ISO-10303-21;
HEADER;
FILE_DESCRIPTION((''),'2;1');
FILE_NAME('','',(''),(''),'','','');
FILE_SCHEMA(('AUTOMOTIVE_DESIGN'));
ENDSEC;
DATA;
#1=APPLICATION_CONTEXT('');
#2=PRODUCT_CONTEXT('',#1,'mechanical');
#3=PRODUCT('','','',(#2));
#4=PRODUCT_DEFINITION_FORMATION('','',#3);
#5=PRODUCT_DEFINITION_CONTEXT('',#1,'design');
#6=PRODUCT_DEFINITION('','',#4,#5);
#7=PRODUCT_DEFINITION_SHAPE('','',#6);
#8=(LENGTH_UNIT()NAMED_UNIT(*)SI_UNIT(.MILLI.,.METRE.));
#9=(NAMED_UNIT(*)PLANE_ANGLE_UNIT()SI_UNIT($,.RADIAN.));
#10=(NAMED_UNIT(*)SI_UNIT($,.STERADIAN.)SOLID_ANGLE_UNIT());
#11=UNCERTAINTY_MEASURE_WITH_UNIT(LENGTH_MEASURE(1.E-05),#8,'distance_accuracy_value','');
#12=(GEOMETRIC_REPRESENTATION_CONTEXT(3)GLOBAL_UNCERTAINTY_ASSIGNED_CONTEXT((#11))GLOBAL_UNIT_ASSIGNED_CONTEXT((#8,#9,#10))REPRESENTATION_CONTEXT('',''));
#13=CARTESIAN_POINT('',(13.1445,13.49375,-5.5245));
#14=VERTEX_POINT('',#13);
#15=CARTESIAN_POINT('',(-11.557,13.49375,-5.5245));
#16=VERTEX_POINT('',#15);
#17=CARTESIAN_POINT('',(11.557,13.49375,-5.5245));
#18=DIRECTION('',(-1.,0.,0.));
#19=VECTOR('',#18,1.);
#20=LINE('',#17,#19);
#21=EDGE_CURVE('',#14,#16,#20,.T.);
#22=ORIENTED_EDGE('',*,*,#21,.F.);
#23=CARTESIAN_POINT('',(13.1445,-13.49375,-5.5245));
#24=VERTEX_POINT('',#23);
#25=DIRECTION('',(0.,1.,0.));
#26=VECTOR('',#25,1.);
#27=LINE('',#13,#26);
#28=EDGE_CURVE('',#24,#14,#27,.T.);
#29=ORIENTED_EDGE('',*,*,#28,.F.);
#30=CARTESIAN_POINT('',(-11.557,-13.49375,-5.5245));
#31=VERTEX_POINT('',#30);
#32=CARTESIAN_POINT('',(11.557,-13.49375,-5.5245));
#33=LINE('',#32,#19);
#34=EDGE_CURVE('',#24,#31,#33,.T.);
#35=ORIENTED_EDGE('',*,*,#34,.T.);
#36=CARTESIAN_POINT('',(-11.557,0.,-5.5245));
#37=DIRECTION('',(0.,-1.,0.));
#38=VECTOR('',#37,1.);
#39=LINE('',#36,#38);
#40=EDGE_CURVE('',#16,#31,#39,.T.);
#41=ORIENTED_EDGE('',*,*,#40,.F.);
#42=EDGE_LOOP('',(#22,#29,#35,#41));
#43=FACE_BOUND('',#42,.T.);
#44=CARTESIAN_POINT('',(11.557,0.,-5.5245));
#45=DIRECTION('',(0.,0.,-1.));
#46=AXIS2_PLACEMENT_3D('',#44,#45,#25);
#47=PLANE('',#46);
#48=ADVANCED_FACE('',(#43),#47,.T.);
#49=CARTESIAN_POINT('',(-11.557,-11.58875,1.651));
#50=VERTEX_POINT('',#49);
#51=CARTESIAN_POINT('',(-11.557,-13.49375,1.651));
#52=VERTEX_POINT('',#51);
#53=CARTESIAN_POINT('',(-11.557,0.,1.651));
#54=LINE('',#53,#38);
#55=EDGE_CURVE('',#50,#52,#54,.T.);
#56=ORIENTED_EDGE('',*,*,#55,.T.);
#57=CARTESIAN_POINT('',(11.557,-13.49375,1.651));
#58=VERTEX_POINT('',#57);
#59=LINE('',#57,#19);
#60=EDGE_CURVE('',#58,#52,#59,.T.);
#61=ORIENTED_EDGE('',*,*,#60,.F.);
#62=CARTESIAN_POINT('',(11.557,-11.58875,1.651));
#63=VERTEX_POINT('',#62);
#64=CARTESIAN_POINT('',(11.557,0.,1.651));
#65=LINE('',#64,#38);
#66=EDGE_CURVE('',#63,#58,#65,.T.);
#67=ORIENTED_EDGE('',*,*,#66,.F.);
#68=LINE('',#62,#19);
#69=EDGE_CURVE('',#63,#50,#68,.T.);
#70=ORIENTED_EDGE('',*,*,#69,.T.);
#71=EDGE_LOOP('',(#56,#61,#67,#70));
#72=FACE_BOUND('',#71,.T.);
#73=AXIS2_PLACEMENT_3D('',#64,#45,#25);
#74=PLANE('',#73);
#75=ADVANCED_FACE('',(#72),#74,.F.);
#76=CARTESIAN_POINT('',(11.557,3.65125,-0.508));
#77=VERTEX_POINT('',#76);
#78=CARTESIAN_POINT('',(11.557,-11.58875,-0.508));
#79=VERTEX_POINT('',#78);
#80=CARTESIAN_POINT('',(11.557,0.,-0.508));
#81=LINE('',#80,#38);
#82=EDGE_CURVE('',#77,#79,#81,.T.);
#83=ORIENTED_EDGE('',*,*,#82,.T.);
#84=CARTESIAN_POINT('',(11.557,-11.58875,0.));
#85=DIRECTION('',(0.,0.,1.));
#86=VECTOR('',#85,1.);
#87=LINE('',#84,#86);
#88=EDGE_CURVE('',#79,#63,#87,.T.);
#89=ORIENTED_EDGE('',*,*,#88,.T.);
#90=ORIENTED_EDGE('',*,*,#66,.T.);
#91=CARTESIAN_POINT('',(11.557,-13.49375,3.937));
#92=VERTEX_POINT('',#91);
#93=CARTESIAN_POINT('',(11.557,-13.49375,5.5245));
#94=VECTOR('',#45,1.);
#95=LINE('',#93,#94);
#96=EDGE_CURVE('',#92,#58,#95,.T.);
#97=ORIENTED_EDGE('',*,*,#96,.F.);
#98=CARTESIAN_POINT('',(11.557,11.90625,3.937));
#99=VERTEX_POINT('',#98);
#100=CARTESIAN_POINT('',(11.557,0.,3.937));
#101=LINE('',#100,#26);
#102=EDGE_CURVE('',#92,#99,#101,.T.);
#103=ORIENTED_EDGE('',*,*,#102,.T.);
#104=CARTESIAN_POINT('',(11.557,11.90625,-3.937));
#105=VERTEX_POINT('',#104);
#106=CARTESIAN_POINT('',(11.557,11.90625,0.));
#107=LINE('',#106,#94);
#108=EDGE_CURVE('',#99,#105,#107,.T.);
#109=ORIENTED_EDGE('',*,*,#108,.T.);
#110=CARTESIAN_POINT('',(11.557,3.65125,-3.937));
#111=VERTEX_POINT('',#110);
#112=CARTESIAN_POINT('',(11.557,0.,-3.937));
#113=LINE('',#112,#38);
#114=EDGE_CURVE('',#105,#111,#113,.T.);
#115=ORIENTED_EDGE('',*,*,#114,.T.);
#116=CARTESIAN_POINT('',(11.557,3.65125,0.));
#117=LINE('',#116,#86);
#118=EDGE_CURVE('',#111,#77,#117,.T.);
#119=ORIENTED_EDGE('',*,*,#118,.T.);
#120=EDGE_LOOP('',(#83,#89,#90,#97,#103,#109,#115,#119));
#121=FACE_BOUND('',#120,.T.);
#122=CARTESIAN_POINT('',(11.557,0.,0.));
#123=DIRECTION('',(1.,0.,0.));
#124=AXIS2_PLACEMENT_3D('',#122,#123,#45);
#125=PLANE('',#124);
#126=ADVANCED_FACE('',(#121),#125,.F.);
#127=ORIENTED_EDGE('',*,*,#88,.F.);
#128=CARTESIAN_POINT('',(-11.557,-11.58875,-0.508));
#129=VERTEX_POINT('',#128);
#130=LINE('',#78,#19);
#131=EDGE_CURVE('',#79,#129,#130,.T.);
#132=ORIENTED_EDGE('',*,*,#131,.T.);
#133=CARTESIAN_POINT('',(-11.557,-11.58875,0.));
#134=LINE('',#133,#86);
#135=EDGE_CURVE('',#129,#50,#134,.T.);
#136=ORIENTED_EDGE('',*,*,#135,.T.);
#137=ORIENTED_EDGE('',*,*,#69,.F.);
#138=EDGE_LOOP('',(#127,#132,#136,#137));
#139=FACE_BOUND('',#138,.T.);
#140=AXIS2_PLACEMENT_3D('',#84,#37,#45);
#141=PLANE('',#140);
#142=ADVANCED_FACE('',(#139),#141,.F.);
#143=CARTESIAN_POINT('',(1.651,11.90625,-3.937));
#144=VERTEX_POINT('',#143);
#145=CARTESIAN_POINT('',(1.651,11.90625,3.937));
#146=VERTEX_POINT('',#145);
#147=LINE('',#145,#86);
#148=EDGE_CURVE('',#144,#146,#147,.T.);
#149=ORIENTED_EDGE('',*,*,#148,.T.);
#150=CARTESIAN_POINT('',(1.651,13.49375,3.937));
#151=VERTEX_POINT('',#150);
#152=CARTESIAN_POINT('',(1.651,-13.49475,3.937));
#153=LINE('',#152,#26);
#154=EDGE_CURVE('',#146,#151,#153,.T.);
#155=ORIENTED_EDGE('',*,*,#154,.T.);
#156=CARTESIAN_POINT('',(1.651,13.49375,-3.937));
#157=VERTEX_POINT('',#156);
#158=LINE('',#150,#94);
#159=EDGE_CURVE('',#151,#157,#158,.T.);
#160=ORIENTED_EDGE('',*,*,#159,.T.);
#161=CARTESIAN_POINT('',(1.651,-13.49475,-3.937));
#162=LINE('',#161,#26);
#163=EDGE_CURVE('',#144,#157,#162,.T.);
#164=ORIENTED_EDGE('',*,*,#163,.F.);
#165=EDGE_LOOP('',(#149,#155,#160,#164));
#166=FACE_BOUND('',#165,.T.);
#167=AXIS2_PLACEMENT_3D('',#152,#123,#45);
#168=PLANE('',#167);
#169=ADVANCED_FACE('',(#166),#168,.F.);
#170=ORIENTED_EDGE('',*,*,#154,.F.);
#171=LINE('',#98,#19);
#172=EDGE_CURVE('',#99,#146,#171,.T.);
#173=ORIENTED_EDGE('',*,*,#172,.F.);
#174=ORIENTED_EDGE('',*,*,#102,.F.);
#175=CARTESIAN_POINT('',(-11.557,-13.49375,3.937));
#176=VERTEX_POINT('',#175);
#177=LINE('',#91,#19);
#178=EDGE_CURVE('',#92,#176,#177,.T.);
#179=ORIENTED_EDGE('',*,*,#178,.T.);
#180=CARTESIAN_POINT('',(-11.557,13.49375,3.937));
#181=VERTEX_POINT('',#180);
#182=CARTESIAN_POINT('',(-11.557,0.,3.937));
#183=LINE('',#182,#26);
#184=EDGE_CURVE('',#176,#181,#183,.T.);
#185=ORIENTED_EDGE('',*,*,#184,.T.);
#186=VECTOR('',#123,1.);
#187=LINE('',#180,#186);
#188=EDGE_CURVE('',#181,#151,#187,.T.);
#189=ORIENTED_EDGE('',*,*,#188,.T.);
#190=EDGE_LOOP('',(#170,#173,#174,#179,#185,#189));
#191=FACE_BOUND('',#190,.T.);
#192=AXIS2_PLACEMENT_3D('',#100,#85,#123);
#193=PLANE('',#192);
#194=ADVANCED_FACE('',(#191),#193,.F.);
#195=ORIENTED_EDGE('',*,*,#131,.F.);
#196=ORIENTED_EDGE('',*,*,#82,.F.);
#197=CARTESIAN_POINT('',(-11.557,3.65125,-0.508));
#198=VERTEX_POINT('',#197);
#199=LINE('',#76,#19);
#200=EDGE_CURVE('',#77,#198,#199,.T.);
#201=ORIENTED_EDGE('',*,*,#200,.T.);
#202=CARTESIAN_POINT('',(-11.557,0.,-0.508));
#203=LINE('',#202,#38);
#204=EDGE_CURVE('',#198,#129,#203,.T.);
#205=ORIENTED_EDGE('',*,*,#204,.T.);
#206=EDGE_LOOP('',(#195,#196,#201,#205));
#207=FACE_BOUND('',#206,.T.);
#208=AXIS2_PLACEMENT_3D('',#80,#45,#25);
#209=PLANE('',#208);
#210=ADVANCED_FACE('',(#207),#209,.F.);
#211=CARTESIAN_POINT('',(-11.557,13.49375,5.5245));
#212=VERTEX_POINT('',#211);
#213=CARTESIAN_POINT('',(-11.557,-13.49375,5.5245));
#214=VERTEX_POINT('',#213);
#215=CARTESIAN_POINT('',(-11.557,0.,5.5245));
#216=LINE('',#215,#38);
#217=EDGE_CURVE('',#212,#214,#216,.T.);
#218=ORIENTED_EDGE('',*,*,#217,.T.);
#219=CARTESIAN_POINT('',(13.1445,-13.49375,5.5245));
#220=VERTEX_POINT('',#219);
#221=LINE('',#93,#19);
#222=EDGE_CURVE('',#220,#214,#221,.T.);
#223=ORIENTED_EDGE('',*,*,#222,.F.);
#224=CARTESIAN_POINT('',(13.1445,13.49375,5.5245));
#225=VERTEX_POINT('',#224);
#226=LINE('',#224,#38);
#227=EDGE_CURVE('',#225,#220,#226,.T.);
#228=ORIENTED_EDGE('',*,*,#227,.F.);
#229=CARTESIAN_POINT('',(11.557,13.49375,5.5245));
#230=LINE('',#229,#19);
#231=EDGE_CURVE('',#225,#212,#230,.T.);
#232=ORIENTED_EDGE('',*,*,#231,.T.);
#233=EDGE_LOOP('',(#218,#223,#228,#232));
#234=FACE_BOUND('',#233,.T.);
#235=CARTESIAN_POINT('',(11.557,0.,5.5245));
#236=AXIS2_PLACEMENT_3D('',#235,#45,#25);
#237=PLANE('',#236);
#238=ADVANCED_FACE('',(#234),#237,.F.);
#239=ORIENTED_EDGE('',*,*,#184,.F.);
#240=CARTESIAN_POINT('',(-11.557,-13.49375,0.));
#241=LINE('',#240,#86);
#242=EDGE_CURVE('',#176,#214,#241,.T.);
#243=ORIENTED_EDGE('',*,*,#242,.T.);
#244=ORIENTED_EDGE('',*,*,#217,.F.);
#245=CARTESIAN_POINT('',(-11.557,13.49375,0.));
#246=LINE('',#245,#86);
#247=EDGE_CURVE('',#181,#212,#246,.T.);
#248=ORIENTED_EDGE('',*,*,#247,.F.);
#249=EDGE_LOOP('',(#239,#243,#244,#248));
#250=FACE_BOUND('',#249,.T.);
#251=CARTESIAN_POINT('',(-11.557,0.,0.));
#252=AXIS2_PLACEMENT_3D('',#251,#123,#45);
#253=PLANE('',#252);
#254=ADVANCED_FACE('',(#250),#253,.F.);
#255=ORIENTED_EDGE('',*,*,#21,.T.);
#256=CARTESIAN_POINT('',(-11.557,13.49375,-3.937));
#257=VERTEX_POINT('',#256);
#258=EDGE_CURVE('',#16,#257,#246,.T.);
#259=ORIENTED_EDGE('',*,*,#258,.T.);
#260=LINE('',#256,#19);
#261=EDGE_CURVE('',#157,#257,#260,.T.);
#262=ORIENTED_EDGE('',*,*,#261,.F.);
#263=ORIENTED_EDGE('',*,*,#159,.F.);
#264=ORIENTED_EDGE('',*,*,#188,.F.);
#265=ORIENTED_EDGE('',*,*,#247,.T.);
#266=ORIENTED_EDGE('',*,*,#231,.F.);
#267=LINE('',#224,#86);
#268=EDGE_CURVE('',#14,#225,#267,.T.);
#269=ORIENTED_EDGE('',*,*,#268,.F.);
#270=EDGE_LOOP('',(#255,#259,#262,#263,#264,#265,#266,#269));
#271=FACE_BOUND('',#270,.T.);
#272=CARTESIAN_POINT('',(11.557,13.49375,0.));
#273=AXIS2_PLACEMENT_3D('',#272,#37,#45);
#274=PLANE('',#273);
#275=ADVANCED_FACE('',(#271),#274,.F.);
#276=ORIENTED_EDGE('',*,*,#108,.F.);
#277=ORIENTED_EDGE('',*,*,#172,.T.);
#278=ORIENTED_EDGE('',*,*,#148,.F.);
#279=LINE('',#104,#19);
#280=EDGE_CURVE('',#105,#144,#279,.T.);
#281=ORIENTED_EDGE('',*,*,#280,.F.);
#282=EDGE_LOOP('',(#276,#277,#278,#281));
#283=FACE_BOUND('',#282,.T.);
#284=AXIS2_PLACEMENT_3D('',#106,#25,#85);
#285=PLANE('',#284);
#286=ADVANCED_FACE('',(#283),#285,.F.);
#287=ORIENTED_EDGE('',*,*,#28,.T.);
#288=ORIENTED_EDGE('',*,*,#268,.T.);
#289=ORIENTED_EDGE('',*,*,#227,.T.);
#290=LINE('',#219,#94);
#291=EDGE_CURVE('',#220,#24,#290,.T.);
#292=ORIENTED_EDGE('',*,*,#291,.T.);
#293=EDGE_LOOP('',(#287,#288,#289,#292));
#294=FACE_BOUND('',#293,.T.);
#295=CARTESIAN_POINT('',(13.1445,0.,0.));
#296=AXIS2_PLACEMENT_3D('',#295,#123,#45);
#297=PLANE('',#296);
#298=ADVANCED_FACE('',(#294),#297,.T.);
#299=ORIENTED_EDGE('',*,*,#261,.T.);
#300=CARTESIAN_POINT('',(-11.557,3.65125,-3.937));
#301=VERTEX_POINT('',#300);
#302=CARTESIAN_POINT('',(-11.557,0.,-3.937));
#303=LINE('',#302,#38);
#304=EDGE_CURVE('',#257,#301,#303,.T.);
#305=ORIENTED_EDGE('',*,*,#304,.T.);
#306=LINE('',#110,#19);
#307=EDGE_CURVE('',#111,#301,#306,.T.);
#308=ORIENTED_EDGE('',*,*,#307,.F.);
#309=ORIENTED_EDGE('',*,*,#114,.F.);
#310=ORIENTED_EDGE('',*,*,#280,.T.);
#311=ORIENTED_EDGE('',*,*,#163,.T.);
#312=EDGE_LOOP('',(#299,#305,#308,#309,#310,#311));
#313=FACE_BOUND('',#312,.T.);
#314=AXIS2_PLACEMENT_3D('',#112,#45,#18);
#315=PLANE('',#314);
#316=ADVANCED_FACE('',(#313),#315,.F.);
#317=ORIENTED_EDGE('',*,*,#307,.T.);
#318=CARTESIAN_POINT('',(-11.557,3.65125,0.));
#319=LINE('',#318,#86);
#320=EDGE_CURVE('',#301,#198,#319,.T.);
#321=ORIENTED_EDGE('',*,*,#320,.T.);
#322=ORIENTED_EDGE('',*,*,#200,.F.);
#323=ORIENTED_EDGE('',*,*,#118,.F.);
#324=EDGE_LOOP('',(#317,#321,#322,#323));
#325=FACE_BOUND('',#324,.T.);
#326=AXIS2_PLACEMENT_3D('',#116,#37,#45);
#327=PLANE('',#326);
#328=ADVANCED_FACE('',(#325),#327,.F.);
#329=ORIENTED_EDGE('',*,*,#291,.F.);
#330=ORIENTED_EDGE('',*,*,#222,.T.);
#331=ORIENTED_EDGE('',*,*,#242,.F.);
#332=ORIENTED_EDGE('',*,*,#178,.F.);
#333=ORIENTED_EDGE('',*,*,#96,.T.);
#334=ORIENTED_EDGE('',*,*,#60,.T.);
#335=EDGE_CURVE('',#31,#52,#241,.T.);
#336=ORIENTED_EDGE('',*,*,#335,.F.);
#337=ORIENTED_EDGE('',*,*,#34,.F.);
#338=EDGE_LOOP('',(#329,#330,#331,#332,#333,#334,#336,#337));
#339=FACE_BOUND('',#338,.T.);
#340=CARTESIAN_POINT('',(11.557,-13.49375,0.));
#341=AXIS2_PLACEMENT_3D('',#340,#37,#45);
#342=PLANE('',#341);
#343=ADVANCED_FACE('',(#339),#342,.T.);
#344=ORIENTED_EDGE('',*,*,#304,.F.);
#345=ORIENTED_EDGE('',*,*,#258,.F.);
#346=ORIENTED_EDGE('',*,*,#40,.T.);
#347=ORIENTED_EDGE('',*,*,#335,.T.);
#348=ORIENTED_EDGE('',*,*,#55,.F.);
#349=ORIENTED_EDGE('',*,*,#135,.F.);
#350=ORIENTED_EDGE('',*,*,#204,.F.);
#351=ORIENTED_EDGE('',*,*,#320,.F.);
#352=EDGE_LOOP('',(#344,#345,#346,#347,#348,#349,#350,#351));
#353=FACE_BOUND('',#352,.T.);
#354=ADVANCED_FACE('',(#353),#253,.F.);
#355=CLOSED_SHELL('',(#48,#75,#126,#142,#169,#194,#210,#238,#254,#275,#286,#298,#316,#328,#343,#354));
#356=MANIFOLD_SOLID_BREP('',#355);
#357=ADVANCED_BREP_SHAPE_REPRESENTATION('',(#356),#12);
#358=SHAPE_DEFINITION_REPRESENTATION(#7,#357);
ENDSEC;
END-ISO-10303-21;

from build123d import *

# Parameters (mm, degrees)
BOSS_EXTRUDE3_DEPTH = 11.557
SKETCH3_W           = 11.049
SKETCH3_H           = 26.9875
BOSS_EXTRUDE4_DEPTH = 1.5875
CUT_EXTRUDE1_REACH  = 28.988
SKETCH4_W           = 13.208
SKETCH4_H           = 7.874


with BuildPart() as part:
    # Sketch1 → Boss-Extrude3 (new body, symmetric)
    with BuildSketch(Plane(origin=(0, 0, 0), x_dir=(0, 0, -1), z_dir=(1, 0, 0))):
        Polygon((-5.5245, -13.49375), (-3.937, -13.49375), (-3.937, 11.90625), (3.937, 11.90625), (3.937, 3.65125), (0.508, 3.65125), (0.508, -11.58875), (-1.651, -11.58875), (-1.651, -13.49375), (5.5245, -13.49375), (5.5245, 13.49375), (-5.5245, 13.49375), align=None)
    extrude(amount=BOSS_EXTRUDE3_DEPTH, both=True)

    # Sketch3 → Boss-Extrude4 (add)
    with BuildSketch(Plane(origin=(11.557, 0, 0), x_dir=(0, 0, -1), z_dir=(1, 0, 0))):
        Rectangle(SKETCH3_W, SKETCH3_H)
    extrude(amount=BOSS_EXTRUDE4_DEPTH)

    # Sketch4 → Cut-Extrude1 (cut, up to next)
    with BuildSketch(Plane(origin=(0, 13.49375, 0), x_dir=(1, 0, 0), z_dir=(0, 1, 0)), mode=Mode.PRIVATE) as cut_extrude1_sk1:
        with Locations((-4.953, 0)):
            Rectangle(SKETCH4_W, SKETCH4_H)
    cut_extrude1_tool1 = extrude(cut_extrude1_sk1.sketch, amount=-CUT_EXTRUDE1_REACH, mode=Mode.PRIVATE) & part.part
    add(cut_extrude1_tool1.solids().sort_by_distance((-4.953, 13.49375, 0))[0], mode=Mode.SUBTRACT)


solid = part.part
